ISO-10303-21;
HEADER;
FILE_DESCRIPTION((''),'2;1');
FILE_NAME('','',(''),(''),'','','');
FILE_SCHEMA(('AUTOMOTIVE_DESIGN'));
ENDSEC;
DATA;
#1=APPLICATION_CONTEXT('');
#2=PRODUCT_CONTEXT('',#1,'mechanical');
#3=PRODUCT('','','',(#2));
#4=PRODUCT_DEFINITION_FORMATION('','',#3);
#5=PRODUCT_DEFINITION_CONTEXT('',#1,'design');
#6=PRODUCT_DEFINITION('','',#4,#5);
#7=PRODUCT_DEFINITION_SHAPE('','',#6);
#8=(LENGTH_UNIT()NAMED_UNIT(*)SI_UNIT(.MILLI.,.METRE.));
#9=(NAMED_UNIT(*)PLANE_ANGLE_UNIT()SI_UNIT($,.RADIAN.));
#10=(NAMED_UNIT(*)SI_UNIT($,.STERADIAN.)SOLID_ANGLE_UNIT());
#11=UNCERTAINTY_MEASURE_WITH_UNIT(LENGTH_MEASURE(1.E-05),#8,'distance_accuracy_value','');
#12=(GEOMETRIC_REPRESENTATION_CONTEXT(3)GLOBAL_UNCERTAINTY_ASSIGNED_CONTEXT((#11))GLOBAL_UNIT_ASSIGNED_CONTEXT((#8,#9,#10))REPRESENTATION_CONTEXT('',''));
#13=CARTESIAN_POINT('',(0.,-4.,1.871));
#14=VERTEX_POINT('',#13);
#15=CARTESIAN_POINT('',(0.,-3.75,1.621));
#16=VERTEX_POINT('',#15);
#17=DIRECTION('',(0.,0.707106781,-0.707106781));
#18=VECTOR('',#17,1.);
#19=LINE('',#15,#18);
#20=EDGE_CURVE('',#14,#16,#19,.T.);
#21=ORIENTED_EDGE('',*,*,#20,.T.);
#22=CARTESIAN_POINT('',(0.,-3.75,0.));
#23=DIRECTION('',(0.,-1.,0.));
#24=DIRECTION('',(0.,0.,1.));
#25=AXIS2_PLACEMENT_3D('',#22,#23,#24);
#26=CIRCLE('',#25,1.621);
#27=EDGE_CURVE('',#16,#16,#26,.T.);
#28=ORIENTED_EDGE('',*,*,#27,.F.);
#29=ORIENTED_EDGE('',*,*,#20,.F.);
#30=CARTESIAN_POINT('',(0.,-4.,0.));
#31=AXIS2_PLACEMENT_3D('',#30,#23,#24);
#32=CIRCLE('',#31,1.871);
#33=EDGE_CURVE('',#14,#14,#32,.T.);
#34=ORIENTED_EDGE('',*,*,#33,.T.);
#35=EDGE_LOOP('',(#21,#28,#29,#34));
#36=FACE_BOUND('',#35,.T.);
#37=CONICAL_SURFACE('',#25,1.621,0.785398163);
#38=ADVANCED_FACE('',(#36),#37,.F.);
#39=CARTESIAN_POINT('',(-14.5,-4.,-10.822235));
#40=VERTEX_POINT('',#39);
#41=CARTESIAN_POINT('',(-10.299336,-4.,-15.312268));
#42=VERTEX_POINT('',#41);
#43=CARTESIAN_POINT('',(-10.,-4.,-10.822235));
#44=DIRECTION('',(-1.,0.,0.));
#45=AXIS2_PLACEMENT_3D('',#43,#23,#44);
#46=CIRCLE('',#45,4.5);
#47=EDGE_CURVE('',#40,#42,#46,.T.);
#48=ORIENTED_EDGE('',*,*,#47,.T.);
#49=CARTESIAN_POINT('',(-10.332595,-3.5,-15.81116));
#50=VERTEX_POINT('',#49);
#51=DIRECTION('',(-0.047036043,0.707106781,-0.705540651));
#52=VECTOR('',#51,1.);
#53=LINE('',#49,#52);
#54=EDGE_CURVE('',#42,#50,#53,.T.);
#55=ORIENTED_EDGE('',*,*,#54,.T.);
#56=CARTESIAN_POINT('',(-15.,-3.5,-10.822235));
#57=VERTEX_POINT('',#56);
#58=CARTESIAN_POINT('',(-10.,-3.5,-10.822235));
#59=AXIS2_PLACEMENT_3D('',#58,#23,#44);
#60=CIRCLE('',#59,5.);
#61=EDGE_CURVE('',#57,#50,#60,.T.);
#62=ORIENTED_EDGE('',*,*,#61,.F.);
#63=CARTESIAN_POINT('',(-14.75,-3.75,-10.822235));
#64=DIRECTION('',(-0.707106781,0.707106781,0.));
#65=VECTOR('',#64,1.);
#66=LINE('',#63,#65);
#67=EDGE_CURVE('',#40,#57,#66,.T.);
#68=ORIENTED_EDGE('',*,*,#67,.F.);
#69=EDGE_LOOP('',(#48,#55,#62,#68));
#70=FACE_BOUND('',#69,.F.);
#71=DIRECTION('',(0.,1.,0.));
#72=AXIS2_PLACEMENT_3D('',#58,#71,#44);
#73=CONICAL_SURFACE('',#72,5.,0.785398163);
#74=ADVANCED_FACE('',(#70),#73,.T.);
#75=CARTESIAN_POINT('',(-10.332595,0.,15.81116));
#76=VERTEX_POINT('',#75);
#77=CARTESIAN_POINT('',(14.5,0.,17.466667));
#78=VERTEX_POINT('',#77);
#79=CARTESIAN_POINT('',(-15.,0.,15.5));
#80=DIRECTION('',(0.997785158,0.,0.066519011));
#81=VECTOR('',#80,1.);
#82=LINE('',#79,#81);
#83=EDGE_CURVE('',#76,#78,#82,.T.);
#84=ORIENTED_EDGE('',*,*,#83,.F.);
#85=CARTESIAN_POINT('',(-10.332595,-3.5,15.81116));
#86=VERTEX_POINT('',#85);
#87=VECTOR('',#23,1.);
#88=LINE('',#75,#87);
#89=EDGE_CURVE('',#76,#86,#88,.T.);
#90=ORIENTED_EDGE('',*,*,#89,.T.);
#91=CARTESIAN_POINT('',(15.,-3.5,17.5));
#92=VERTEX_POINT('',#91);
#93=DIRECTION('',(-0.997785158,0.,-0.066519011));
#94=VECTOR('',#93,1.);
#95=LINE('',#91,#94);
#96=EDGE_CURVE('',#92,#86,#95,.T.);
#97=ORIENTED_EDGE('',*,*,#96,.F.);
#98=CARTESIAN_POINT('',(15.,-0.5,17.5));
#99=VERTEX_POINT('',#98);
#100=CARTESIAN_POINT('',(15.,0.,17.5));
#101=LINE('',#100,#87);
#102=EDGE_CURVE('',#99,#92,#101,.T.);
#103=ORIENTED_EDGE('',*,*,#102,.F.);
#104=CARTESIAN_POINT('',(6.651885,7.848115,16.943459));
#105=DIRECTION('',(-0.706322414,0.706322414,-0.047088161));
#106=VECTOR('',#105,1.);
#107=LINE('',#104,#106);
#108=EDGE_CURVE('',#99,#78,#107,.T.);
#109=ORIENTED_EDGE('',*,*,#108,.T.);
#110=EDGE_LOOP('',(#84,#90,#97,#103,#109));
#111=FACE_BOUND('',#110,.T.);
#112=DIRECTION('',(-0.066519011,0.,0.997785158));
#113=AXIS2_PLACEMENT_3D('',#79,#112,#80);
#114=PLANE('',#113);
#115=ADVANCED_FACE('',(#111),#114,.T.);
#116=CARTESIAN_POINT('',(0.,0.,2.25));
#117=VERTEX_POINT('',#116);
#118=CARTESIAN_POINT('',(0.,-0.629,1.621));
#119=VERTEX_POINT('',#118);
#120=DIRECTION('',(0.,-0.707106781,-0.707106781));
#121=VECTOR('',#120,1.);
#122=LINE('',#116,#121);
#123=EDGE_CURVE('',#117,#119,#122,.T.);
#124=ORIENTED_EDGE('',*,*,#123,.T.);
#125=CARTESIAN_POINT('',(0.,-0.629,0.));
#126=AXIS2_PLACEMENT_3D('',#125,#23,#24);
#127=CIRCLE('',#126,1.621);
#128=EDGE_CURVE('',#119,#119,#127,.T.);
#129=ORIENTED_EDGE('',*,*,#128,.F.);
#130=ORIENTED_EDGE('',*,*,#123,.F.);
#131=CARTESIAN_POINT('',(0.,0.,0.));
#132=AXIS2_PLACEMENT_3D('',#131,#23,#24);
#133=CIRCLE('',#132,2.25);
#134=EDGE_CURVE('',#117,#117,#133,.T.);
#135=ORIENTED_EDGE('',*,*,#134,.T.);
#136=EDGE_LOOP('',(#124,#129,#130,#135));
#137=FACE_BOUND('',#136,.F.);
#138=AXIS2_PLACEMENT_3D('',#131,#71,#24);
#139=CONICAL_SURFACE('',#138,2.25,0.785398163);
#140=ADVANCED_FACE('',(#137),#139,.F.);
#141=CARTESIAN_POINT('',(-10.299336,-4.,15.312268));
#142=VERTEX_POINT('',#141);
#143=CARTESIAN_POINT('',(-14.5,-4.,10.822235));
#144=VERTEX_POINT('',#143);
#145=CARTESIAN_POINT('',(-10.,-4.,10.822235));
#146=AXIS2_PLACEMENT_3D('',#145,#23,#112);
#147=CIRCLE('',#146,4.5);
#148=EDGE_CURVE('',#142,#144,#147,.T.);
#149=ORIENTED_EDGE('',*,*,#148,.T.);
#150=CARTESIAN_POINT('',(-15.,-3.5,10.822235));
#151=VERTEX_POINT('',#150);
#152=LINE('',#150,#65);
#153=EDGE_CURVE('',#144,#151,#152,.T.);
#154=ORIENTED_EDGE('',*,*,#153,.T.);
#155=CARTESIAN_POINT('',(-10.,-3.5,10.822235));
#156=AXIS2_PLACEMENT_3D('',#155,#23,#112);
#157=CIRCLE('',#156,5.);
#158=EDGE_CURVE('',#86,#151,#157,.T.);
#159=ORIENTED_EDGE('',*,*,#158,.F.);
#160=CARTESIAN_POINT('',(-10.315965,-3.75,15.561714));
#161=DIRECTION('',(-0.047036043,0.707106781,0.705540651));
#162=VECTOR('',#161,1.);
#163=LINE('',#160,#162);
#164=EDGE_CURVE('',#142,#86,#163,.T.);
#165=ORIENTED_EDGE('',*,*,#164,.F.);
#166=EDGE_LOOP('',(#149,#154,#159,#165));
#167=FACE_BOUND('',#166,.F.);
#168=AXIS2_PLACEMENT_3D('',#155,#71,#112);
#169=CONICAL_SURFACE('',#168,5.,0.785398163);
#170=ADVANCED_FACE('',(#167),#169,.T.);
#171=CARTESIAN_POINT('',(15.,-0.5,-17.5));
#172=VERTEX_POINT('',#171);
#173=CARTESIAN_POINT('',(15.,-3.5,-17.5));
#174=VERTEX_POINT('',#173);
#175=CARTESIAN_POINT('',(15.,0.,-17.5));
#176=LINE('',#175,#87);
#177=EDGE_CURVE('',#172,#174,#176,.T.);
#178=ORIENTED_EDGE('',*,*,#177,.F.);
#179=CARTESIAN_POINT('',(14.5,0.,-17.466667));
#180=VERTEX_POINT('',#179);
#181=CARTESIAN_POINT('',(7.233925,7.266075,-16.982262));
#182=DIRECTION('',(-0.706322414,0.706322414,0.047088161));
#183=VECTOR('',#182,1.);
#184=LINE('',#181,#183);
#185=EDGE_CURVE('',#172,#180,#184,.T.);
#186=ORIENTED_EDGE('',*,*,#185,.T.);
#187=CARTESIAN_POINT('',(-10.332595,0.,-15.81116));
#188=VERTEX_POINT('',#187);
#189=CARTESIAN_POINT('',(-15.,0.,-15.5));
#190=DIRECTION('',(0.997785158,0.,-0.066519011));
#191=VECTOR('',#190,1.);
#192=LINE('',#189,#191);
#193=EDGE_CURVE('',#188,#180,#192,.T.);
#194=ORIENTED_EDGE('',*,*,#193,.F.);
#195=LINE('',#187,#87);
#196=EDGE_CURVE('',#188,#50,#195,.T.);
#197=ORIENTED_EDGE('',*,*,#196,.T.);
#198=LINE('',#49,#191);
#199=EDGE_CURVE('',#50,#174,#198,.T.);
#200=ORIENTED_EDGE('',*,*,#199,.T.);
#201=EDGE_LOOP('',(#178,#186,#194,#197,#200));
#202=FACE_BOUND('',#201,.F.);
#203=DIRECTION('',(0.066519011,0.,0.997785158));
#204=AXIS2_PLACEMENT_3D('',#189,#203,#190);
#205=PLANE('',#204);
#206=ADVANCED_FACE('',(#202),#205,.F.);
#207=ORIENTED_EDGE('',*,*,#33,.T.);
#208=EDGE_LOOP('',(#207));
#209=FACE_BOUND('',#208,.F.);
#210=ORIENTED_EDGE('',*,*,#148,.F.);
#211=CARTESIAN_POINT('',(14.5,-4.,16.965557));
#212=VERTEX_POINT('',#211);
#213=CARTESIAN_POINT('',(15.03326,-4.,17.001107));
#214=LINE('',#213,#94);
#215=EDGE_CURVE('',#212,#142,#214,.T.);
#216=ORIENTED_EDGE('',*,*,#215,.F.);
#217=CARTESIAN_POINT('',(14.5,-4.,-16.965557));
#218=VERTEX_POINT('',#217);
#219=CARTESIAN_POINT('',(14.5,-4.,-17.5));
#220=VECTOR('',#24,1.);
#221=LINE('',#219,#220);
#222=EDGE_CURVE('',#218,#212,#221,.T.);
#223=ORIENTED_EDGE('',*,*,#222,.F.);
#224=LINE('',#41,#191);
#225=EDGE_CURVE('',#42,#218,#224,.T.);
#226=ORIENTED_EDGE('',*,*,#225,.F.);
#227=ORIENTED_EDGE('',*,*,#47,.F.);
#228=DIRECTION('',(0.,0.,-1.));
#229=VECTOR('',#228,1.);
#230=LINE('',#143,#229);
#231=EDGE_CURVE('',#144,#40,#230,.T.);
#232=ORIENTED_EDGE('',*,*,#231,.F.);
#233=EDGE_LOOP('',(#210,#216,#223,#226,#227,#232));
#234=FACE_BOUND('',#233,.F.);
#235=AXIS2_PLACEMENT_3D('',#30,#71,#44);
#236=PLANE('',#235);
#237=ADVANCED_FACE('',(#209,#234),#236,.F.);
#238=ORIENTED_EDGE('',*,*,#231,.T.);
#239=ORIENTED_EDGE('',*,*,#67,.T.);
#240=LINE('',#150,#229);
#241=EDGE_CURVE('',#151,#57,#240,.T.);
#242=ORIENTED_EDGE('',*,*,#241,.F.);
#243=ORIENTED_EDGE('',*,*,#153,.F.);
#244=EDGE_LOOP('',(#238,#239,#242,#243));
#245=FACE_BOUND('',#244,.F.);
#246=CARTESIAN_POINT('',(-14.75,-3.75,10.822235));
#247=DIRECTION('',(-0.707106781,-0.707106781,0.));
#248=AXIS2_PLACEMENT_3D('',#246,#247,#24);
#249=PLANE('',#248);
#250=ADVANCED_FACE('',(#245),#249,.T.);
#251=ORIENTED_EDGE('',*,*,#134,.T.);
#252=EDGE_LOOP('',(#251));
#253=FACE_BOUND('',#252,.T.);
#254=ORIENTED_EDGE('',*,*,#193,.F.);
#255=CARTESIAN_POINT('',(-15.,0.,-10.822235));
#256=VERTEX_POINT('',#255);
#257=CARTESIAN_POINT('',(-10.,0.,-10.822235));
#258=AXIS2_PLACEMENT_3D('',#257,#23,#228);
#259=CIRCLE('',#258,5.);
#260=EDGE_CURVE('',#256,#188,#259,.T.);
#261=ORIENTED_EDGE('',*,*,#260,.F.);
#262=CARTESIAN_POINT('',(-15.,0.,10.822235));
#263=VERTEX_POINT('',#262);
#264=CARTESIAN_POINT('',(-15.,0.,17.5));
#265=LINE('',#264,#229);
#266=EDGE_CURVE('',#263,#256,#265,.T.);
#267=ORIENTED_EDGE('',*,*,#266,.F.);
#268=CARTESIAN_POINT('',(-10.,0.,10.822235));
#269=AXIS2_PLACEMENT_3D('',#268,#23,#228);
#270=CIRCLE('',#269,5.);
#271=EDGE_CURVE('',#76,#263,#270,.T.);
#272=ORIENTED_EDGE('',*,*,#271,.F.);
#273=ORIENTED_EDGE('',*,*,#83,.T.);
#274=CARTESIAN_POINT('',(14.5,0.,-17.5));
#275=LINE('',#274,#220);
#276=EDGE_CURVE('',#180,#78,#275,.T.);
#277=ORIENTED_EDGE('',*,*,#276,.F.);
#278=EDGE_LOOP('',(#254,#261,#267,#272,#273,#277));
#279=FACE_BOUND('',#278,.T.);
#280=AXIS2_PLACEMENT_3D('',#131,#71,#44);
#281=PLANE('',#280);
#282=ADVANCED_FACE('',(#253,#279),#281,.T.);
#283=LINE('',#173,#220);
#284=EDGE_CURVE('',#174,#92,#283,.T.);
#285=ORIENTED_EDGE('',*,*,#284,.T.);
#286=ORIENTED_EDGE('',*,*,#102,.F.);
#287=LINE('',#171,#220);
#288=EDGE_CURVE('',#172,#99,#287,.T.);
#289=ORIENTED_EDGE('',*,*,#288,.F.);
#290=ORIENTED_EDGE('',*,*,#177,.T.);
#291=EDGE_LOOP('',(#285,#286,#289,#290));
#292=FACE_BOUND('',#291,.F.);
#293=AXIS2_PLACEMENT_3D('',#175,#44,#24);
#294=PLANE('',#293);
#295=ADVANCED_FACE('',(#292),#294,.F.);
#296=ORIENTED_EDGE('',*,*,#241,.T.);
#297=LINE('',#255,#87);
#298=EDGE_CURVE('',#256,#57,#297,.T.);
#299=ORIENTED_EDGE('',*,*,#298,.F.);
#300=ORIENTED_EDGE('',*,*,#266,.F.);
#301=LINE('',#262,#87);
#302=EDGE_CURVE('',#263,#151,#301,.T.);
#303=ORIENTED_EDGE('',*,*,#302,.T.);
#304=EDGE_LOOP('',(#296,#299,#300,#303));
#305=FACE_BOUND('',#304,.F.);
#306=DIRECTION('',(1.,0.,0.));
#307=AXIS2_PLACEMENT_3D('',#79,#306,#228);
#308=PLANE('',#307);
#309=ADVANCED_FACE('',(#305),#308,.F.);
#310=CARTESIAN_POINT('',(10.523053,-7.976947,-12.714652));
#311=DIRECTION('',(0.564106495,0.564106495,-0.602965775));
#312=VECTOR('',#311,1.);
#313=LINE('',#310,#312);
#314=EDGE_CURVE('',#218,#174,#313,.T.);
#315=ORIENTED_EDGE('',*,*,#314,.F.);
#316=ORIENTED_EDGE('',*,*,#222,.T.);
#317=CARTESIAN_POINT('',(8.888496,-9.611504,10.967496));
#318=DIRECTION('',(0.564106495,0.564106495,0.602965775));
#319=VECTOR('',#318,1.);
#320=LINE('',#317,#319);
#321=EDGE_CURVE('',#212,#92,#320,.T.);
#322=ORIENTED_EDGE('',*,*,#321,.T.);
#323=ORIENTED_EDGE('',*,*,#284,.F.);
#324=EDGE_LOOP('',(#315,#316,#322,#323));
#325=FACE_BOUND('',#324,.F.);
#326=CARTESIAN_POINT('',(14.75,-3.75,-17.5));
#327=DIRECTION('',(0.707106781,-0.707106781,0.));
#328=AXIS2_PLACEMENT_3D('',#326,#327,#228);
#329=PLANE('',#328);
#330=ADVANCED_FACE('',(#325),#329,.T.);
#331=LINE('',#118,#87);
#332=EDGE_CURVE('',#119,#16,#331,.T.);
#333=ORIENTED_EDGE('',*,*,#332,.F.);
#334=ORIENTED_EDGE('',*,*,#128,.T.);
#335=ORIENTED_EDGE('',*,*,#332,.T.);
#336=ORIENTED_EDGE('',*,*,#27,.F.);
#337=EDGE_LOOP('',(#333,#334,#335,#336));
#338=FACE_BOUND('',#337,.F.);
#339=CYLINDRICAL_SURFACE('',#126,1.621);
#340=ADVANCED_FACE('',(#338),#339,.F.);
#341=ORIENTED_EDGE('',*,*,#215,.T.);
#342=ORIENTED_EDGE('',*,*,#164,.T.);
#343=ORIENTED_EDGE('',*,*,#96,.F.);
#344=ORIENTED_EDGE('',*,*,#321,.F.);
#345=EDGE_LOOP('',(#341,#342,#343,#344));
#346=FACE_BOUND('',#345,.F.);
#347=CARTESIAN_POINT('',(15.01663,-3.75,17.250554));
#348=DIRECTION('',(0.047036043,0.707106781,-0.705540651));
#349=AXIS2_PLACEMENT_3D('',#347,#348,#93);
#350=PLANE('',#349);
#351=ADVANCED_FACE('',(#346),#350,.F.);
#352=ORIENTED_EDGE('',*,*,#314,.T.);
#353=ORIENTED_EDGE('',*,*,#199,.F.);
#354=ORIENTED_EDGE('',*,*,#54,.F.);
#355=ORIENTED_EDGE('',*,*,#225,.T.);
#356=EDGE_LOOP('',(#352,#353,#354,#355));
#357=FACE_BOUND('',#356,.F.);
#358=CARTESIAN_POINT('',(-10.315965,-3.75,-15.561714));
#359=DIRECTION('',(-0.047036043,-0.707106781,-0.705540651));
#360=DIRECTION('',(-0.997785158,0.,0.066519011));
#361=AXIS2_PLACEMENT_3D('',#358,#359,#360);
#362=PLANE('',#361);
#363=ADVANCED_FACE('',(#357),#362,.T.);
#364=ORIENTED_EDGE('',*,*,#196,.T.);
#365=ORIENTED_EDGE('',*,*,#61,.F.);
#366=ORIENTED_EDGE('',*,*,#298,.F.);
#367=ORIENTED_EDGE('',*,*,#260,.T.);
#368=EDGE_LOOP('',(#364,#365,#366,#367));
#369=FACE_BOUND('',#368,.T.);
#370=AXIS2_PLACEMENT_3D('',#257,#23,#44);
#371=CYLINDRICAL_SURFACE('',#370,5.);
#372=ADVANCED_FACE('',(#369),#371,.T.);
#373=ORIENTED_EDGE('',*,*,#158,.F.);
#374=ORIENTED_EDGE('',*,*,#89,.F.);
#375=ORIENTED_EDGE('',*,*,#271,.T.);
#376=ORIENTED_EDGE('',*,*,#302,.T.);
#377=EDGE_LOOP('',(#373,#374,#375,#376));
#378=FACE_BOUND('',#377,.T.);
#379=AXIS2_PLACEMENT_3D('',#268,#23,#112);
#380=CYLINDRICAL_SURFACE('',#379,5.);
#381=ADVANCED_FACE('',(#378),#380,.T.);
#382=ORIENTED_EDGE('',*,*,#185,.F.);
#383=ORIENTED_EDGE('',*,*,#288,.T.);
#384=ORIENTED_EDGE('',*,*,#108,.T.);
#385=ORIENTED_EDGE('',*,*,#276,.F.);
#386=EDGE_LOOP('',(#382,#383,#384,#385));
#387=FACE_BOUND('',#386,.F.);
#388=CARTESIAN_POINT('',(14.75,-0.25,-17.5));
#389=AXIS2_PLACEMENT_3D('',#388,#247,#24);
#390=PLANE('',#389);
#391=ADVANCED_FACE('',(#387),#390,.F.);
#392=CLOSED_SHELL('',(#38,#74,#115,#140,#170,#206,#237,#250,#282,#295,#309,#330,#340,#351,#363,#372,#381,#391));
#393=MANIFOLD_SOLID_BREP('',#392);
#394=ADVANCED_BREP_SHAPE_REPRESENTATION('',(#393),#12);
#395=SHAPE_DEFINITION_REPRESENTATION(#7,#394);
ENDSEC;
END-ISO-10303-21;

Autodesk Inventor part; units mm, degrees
ref_plane "YZ Plane" through (0, 0, 0) normal (1, 0, 0) x (0, 1, 0)
ref_plane "XZ Plane" through (0, 0, 0) normal (0, 1, 0) x (-1, 0, 0)
ref_plane "XY Plane" through (0, 0, 0) normal (0, 0, 1) x (1, 0, 0)
sketch "Sketch1" plane through (0, 0, 0) normal (0, 1, 0) x (-1, 0, 0)
  line L0 (-15, 17.5) -> (15, 17.5)
  line L1 (15, 17.5) -> (15, -17.5)
  line L2 (15, -17.5) -> (-15, -17.5)
  line L3 (-15, -17.5) -> (-15, 17.5)
  line L4 (-15, 17.5) -> (15, -17.5) construction
  line L5 (15, 17.5) -> (-15, -17.5) construction
  line L6 (15, -15.5) -> (-15, -17.5)
  line L7 (21, 0) -> (-21, 0) construction
  line L8 (15, 15.5) -> (-15, 17.5)
  point P0 (0, 0)
  point P1 (0, 0)
  dimension "d1" = 30
  dimension "d2" = 35
  dimension "d19" = 31
  dimension "d20" = 30
extrude "Extrusion1" add sketch "Sketch1" against normal blind 4 contours L8 L1 L6 L3
hole "Hole1" at (0, 0, 0) direction (0, -1, 0) diameter 3.242 end through all countersink diameter 4.5 countersink angle 90 thread size "M4x0.7" class "6H" standard "ISO Metric profile"
chamfer "Chamfer1" distance 0.25 angle 45 1 edges at (0, -4, -1.621)
fillet "Fillet1" radius 5 2 edges at (-15, -2, 15.5) (-15, -2, -15.5)
chamfer "Chamfer2" distance 0.5 angle 45 5 edges at (15, 0, 0) (-13.6512, -4, 14.2382) (-13.6512, -4, -14.2382) (-15, -4, 0) (15, -4, 0)
properties part number "TCSM1-002A" material "Brass, Soft Yellow"
